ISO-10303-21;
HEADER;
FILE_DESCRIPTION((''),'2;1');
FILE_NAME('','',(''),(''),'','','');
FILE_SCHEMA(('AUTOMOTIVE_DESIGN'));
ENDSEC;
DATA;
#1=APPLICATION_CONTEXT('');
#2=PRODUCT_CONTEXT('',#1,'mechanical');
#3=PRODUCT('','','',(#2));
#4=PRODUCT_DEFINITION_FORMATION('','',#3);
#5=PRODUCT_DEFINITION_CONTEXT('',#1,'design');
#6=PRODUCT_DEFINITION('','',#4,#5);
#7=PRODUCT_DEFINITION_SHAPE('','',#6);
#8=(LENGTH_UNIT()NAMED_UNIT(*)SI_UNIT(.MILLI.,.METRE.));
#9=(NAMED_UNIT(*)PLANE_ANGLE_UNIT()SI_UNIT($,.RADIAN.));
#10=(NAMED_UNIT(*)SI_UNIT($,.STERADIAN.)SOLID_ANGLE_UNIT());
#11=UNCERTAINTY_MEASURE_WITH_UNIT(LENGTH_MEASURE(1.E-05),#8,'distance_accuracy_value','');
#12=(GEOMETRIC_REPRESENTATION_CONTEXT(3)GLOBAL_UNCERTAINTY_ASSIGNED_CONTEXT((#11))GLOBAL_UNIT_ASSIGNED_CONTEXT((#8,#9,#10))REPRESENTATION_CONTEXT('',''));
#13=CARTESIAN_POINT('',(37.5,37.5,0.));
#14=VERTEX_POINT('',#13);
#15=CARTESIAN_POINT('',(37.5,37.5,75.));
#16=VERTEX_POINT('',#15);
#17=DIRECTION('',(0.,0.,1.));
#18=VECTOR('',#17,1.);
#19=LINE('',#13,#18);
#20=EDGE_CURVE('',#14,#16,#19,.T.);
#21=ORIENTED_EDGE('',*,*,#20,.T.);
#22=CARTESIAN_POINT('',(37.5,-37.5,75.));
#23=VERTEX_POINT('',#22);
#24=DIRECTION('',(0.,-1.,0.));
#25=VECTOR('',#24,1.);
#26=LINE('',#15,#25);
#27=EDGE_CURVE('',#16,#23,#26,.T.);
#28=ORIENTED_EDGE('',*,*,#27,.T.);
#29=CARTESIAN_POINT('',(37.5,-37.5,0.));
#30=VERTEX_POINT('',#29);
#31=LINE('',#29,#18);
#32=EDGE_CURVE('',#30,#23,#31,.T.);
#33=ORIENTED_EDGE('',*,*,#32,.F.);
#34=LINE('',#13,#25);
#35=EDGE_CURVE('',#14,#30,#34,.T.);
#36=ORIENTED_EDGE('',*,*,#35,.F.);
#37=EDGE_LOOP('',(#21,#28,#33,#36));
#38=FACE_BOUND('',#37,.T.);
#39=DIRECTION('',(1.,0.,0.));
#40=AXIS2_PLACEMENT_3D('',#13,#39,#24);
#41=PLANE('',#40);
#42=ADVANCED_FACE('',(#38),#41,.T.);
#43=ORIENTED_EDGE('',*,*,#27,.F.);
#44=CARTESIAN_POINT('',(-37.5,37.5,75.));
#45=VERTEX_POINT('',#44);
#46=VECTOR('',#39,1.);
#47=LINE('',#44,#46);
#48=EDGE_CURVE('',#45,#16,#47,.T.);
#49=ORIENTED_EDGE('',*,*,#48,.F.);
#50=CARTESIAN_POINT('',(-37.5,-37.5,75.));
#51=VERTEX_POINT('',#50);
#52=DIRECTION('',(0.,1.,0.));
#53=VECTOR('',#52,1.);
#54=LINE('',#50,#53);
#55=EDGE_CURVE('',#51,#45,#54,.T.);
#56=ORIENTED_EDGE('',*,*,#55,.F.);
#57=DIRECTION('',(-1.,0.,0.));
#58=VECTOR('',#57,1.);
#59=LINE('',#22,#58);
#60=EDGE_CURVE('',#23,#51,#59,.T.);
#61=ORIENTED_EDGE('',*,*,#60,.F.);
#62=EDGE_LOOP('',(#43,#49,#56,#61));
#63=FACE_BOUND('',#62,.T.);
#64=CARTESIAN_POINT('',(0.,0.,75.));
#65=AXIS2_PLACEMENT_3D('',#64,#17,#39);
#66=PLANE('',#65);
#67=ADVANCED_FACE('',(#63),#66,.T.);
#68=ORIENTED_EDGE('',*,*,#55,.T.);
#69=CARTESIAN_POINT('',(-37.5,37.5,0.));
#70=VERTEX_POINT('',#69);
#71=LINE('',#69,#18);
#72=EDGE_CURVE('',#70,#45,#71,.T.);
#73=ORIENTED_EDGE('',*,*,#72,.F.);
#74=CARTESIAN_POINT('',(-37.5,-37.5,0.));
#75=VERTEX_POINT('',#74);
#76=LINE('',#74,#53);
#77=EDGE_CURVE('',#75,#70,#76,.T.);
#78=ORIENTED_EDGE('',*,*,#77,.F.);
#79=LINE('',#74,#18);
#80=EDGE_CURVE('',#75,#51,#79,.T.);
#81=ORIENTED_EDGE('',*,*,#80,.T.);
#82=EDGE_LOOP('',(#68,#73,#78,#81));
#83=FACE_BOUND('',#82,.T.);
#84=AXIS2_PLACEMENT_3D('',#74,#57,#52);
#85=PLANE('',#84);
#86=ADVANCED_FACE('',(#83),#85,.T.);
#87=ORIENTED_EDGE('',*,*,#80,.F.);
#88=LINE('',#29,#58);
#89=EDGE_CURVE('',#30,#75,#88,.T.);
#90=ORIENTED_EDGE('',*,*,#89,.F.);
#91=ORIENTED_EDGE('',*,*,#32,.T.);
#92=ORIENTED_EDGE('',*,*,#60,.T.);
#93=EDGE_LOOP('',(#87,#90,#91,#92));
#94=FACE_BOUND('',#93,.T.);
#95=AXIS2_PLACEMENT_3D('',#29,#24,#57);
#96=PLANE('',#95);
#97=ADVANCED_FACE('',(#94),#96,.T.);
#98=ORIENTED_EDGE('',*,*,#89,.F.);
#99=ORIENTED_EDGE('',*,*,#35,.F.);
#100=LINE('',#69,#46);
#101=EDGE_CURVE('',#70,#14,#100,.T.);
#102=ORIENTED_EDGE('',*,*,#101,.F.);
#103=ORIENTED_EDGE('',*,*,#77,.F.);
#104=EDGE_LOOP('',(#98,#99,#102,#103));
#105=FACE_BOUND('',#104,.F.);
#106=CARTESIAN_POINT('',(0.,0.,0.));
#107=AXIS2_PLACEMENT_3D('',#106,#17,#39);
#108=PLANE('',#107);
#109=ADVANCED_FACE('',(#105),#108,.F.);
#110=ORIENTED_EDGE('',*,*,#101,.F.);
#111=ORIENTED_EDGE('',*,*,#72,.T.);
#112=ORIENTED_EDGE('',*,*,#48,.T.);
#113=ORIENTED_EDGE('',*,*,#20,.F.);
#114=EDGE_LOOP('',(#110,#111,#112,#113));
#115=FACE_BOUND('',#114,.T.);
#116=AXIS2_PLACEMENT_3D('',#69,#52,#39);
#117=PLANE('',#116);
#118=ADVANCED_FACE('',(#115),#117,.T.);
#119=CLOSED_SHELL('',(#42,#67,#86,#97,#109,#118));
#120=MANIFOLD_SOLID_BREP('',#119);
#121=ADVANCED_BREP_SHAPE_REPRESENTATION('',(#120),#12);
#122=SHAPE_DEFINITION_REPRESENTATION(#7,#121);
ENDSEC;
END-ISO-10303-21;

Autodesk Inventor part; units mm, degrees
ref_plane "YZ Plane" through (0, 0, 0) normal (1, 0, 0) x (0, 1, 0)
ref_plane "XZ Plane" through (0, 0, 0) normal (0, 1, 0) x (-1, 0, 0)
ref_plane "XY Plane" through (0, 0, 0) normal (0, 0, 1) x (1, 0, 0)
sketch "Sketch1" plane through (0, 0, 0) normal (0, 0, 1) x (1, 0, 0)
  line L0 (-37.5, 37.5) -> (37.5, 37.5)
  line L1 (37.5, 37.5) -> (37.5, -37.5)
  line L2 (37.5, -37.5) -> (-37.5, -37.5)
  line L3 (-37.5, -37.5) -> (-37.5, 37.5)
  line L4 (-37.5, 37.5) -> (37.5, -37.5) construction
  line L5 (37.5, 37.5) -> (-37.5, -37.5) construction
  point P0 (0, 0)
  dimension "d0" = 75
  dimension "d1" = 75
extrude "Extrusion1" add sketch "Sketch1" along normal blind 75
properties part number "BOX"
